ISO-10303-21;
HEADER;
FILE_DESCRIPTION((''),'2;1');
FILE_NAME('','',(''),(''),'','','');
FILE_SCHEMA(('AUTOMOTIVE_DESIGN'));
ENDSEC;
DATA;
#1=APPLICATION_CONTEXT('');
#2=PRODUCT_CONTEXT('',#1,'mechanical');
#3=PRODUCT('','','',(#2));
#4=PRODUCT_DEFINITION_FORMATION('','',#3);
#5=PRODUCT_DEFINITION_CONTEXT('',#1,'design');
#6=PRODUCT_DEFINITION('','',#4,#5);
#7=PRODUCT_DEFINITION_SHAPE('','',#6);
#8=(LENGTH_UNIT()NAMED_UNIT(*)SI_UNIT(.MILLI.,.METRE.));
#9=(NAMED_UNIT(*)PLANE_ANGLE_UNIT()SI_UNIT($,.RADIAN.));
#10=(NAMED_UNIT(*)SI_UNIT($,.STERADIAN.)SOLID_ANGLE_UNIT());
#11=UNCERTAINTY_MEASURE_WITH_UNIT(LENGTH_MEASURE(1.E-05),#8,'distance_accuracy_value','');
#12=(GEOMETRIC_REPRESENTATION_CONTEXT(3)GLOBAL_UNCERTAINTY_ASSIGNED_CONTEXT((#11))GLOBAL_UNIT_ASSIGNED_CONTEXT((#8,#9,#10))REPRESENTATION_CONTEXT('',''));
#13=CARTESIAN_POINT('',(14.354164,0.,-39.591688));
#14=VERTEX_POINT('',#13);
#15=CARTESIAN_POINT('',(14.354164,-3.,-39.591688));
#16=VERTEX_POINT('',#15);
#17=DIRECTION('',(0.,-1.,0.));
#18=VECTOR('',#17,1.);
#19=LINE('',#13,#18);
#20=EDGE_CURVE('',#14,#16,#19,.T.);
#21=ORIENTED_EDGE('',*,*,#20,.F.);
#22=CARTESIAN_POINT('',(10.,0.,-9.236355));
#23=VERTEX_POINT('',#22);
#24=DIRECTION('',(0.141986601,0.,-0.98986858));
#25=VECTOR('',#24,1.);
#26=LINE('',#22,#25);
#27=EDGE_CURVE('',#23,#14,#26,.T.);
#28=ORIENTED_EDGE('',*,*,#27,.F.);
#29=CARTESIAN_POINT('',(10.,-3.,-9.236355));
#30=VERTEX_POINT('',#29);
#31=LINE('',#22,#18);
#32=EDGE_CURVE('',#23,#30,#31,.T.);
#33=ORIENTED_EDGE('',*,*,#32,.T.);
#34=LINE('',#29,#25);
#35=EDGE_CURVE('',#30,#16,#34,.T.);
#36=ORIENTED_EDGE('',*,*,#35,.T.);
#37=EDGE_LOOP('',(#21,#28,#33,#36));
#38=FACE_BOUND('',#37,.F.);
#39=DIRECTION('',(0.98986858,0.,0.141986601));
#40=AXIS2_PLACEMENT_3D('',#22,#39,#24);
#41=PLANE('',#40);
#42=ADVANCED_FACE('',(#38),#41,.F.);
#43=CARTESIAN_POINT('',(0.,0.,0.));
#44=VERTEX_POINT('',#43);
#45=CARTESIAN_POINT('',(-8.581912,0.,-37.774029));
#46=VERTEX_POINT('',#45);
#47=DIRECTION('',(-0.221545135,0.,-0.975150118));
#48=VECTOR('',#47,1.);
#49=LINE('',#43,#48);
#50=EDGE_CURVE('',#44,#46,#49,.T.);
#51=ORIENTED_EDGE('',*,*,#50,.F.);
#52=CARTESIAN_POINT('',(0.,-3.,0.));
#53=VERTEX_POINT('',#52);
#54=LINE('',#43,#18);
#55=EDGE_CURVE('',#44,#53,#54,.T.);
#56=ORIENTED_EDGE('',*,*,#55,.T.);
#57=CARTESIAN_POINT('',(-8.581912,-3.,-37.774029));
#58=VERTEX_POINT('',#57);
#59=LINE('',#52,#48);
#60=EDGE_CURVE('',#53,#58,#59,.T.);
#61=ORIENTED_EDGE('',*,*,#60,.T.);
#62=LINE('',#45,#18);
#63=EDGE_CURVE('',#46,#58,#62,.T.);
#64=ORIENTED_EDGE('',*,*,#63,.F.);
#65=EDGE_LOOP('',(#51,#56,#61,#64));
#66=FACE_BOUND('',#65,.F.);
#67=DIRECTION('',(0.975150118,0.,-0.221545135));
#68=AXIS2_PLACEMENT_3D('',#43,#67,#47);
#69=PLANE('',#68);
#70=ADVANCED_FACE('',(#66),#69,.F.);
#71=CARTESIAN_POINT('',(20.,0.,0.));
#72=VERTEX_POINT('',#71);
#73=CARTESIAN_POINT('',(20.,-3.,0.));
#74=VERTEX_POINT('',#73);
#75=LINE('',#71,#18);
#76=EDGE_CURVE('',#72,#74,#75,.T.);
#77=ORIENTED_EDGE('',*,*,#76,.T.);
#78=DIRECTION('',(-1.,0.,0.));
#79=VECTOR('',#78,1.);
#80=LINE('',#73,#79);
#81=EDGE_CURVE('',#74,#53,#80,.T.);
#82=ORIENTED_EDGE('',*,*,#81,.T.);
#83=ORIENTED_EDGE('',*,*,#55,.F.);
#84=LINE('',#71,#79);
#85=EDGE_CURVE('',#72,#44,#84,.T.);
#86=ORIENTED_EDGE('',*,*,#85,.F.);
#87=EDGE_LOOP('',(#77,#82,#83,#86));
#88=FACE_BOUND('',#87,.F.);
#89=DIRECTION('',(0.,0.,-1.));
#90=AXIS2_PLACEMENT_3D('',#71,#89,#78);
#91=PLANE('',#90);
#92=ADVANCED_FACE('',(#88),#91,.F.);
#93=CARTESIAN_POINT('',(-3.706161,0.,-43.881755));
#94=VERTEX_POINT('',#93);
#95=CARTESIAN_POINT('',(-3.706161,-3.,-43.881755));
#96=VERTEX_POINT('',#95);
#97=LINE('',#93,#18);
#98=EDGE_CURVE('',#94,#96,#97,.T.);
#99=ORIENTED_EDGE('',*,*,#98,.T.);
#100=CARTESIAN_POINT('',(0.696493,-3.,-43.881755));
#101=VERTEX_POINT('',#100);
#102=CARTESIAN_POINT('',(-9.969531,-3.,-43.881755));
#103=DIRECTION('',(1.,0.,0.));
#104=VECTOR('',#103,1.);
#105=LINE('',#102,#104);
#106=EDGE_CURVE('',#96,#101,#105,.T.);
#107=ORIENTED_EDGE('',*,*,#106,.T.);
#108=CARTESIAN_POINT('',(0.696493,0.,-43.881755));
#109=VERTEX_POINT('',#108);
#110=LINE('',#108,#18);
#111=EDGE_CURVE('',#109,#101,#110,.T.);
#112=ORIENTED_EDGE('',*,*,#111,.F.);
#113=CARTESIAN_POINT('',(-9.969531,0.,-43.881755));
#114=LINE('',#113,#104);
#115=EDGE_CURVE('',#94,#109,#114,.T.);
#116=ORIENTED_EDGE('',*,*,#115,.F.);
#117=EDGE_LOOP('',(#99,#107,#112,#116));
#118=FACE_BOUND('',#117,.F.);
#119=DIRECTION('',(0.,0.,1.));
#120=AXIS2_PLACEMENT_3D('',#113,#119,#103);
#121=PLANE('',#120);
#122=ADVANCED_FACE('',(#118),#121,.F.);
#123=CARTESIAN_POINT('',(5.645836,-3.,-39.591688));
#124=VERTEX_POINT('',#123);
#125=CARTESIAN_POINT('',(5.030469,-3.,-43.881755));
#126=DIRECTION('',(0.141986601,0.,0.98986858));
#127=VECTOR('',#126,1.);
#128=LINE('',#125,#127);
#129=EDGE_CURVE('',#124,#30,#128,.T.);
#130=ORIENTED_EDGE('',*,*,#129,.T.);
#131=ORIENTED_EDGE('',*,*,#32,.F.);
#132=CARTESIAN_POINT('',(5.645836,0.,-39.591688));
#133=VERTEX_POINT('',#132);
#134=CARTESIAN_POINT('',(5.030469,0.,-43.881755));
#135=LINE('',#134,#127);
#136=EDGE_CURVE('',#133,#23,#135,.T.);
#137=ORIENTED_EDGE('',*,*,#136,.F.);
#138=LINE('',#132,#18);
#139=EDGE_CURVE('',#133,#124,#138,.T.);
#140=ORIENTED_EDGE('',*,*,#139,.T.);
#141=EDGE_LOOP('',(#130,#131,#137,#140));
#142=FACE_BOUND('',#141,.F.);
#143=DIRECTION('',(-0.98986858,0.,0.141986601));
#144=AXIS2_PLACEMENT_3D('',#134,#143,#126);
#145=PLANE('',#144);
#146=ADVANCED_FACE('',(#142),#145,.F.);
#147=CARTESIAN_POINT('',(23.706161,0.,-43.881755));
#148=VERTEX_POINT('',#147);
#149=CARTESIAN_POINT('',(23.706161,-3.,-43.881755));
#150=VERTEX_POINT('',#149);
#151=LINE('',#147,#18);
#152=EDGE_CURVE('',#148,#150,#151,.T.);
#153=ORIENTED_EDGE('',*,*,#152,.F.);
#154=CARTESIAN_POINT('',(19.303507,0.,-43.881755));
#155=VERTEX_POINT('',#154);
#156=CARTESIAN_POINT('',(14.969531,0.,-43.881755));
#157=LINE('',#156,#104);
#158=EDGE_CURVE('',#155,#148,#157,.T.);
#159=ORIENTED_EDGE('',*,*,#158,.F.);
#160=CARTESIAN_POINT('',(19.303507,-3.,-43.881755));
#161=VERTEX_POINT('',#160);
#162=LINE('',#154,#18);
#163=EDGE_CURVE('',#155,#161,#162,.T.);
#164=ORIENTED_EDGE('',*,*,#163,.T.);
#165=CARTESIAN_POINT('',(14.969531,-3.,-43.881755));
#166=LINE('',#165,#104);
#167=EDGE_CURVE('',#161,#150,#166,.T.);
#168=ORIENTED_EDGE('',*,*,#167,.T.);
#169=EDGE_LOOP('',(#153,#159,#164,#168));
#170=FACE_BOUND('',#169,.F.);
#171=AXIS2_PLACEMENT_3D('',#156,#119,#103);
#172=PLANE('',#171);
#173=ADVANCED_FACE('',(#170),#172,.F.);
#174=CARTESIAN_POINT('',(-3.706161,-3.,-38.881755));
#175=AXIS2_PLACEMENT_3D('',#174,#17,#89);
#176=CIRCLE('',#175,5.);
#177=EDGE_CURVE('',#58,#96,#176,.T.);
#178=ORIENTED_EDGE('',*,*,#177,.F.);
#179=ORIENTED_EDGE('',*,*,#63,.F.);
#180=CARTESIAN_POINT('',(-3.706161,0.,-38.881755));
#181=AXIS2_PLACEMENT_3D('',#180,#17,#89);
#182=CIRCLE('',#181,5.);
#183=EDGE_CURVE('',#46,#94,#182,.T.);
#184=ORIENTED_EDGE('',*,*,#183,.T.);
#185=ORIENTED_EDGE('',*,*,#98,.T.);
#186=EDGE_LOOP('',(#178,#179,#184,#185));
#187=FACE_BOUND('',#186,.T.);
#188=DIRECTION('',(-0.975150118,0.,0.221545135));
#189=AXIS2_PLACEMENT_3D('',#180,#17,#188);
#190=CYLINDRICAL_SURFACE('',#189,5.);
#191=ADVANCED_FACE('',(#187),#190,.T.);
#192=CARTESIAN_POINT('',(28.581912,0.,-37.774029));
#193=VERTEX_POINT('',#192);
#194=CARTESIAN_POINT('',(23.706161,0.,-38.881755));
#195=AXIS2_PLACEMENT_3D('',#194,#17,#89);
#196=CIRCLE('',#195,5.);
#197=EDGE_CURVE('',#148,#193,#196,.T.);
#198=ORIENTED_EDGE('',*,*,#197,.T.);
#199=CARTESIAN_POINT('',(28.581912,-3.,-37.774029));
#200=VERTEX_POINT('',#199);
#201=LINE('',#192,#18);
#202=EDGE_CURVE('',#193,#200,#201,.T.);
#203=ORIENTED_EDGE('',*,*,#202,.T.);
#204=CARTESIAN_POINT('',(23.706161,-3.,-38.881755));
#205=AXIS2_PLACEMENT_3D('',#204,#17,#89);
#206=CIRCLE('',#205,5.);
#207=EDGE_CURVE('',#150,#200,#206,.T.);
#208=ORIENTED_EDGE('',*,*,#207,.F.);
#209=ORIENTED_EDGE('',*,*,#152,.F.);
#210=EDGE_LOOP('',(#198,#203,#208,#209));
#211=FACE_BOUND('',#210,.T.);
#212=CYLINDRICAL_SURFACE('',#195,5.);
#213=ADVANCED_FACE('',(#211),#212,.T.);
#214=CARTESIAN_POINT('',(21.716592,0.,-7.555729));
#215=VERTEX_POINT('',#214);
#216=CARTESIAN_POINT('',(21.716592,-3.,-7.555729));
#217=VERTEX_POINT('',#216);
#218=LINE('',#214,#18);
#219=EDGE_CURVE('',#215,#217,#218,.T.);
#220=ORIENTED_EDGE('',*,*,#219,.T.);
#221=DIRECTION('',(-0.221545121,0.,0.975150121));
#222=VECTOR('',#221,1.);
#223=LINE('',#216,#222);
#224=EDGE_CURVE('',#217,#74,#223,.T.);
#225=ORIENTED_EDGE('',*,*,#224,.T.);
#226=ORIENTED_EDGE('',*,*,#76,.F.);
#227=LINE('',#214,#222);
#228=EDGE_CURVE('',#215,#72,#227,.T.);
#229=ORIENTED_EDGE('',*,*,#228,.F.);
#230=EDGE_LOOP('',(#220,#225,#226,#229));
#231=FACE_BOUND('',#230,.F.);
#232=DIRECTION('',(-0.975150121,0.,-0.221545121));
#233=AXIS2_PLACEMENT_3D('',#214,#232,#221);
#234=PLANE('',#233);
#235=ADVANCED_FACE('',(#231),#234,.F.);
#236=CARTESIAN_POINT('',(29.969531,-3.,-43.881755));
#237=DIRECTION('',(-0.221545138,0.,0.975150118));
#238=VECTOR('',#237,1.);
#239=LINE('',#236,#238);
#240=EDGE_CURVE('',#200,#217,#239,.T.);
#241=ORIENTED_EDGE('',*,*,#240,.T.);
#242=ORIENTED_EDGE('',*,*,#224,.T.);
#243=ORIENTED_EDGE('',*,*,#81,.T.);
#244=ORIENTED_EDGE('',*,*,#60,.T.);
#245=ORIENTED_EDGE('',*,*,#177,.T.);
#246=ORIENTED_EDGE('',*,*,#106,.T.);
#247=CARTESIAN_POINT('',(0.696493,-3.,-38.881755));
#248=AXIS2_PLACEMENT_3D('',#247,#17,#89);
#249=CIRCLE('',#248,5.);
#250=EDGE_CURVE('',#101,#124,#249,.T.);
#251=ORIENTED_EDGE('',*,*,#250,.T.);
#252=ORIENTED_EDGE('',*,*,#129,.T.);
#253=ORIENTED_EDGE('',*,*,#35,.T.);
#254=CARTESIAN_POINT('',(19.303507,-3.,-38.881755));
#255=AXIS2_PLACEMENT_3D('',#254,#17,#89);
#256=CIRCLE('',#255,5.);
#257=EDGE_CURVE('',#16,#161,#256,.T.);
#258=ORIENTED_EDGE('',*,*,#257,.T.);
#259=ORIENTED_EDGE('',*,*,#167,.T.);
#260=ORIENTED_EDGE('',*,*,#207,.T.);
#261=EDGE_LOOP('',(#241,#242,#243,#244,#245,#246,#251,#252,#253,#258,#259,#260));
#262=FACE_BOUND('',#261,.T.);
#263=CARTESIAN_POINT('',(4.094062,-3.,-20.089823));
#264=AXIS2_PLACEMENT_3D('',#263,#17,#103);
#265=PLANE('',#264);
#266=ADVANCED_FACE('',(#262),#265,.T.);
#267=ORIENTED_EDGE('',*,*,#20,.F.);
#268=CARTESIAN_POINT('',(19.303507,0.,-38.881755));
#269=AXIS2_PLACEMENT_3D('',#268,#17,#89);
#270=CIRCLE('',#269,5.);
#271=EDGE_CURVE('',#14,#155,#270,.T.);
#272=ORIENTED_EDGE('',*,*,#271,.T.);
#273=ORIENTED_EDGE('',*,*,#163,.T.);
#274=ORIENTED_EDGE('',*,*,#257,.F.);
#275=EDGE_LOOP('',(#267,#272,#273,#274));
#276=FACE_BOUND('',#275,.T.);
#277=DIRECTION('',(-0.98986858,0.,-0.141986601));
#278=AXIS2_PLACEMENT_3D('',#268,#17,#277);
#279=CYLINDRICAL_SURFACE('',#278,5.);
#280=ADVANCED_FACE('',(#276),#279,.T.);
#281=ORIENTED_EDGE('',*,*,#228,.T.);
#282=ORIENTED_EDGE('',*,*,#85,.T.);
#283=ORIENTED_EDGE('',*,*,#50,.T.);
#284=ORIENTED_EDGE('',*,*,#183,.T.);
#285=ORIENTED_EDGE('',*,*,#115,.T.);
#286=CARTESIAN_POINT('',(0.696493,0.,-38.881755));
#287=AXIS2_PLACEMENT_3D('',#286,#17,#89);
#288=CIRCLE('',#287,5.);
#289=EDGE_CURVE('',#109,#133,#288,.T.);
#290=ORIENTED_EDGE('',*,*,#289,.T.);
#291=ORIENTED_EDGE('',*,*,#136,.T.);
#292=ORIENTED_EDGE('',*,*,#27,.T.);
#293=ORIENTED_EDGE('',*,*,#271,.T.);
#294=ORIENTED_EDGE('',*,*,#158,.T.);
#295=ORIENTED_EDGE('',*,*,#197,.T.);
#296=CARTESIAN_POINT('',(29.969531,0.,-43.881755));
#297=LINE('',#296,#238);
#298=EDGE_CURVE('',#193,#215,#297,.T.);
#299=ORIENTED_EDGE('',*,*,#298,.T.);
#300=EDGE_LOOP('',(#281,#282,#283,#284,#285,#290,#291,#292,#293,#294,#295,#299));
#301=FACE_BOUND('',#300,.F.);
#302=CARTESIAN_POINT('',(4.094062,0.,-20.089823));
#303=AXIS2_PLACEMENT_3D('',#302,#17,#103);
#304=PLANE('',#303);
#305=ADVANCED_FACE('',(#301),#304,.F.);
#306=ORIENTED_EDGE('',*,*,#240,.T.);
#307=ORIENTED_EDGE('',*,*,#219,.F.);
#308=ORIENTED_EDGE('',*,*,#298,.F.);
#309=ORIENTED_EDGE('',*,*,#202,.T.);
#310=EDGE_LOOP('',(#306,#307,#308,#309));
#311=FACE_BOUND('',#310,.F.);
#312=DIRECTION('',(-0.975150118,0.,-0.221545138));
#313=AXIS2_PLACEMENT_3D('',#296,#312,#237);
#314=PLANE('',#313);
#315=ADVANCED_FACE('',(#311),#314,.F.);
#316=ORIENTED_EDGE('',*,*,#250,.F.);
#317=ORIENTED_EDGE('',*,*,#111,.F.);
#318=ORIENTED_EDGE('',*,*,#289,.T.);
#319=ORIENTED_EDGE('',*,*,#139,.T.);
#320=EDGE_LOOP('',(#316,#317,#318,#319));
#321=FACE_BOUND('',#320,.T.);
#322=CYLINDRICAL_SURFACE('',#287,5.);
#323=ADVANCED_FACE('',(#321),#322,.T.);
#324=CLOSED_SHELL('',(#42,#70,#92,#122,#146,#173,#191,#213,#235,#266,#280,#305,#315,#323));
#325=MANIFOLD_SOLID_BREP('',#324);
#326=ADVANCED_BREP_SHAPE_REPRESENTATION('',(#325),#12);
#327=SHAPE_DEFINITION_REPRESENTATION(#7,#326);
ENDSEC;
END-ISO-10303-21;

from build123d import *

# Parameters (mm, degrees)
F1_DEPTH = 3
F2_R     = 5


with BuildPart() as f1:
    # F0 (on Front) → F1 (new body)
    with BuildSketch(Plane.XZ):
        Polygon((20, 0), (0, 0), (-9.969531, -43.881755), (5.030469, -43.881755), (10, -9.236355), (21.716592, -7.555729), align=None)
        Polygon((29.969531, -43.881755), (21.716592, -7.555729), (10, -9.236355), (14.969531, -43.881755), align=None)
    extrude(amount=F1_DEPTH)

    # F2
    f2_edges = [f1.edges().sort_by_distance(p)[0] for p in [
        (-9.969531, -1.5, -43.881755),
        (5.030469, -1.5, -43.881755),
        (14.969531, -1.5, -43.881755),
        (29.969531, -1.5, -43.881755),
    ]]
    fillet(f2_edges, radius=F2_R)


solid = f1.part
